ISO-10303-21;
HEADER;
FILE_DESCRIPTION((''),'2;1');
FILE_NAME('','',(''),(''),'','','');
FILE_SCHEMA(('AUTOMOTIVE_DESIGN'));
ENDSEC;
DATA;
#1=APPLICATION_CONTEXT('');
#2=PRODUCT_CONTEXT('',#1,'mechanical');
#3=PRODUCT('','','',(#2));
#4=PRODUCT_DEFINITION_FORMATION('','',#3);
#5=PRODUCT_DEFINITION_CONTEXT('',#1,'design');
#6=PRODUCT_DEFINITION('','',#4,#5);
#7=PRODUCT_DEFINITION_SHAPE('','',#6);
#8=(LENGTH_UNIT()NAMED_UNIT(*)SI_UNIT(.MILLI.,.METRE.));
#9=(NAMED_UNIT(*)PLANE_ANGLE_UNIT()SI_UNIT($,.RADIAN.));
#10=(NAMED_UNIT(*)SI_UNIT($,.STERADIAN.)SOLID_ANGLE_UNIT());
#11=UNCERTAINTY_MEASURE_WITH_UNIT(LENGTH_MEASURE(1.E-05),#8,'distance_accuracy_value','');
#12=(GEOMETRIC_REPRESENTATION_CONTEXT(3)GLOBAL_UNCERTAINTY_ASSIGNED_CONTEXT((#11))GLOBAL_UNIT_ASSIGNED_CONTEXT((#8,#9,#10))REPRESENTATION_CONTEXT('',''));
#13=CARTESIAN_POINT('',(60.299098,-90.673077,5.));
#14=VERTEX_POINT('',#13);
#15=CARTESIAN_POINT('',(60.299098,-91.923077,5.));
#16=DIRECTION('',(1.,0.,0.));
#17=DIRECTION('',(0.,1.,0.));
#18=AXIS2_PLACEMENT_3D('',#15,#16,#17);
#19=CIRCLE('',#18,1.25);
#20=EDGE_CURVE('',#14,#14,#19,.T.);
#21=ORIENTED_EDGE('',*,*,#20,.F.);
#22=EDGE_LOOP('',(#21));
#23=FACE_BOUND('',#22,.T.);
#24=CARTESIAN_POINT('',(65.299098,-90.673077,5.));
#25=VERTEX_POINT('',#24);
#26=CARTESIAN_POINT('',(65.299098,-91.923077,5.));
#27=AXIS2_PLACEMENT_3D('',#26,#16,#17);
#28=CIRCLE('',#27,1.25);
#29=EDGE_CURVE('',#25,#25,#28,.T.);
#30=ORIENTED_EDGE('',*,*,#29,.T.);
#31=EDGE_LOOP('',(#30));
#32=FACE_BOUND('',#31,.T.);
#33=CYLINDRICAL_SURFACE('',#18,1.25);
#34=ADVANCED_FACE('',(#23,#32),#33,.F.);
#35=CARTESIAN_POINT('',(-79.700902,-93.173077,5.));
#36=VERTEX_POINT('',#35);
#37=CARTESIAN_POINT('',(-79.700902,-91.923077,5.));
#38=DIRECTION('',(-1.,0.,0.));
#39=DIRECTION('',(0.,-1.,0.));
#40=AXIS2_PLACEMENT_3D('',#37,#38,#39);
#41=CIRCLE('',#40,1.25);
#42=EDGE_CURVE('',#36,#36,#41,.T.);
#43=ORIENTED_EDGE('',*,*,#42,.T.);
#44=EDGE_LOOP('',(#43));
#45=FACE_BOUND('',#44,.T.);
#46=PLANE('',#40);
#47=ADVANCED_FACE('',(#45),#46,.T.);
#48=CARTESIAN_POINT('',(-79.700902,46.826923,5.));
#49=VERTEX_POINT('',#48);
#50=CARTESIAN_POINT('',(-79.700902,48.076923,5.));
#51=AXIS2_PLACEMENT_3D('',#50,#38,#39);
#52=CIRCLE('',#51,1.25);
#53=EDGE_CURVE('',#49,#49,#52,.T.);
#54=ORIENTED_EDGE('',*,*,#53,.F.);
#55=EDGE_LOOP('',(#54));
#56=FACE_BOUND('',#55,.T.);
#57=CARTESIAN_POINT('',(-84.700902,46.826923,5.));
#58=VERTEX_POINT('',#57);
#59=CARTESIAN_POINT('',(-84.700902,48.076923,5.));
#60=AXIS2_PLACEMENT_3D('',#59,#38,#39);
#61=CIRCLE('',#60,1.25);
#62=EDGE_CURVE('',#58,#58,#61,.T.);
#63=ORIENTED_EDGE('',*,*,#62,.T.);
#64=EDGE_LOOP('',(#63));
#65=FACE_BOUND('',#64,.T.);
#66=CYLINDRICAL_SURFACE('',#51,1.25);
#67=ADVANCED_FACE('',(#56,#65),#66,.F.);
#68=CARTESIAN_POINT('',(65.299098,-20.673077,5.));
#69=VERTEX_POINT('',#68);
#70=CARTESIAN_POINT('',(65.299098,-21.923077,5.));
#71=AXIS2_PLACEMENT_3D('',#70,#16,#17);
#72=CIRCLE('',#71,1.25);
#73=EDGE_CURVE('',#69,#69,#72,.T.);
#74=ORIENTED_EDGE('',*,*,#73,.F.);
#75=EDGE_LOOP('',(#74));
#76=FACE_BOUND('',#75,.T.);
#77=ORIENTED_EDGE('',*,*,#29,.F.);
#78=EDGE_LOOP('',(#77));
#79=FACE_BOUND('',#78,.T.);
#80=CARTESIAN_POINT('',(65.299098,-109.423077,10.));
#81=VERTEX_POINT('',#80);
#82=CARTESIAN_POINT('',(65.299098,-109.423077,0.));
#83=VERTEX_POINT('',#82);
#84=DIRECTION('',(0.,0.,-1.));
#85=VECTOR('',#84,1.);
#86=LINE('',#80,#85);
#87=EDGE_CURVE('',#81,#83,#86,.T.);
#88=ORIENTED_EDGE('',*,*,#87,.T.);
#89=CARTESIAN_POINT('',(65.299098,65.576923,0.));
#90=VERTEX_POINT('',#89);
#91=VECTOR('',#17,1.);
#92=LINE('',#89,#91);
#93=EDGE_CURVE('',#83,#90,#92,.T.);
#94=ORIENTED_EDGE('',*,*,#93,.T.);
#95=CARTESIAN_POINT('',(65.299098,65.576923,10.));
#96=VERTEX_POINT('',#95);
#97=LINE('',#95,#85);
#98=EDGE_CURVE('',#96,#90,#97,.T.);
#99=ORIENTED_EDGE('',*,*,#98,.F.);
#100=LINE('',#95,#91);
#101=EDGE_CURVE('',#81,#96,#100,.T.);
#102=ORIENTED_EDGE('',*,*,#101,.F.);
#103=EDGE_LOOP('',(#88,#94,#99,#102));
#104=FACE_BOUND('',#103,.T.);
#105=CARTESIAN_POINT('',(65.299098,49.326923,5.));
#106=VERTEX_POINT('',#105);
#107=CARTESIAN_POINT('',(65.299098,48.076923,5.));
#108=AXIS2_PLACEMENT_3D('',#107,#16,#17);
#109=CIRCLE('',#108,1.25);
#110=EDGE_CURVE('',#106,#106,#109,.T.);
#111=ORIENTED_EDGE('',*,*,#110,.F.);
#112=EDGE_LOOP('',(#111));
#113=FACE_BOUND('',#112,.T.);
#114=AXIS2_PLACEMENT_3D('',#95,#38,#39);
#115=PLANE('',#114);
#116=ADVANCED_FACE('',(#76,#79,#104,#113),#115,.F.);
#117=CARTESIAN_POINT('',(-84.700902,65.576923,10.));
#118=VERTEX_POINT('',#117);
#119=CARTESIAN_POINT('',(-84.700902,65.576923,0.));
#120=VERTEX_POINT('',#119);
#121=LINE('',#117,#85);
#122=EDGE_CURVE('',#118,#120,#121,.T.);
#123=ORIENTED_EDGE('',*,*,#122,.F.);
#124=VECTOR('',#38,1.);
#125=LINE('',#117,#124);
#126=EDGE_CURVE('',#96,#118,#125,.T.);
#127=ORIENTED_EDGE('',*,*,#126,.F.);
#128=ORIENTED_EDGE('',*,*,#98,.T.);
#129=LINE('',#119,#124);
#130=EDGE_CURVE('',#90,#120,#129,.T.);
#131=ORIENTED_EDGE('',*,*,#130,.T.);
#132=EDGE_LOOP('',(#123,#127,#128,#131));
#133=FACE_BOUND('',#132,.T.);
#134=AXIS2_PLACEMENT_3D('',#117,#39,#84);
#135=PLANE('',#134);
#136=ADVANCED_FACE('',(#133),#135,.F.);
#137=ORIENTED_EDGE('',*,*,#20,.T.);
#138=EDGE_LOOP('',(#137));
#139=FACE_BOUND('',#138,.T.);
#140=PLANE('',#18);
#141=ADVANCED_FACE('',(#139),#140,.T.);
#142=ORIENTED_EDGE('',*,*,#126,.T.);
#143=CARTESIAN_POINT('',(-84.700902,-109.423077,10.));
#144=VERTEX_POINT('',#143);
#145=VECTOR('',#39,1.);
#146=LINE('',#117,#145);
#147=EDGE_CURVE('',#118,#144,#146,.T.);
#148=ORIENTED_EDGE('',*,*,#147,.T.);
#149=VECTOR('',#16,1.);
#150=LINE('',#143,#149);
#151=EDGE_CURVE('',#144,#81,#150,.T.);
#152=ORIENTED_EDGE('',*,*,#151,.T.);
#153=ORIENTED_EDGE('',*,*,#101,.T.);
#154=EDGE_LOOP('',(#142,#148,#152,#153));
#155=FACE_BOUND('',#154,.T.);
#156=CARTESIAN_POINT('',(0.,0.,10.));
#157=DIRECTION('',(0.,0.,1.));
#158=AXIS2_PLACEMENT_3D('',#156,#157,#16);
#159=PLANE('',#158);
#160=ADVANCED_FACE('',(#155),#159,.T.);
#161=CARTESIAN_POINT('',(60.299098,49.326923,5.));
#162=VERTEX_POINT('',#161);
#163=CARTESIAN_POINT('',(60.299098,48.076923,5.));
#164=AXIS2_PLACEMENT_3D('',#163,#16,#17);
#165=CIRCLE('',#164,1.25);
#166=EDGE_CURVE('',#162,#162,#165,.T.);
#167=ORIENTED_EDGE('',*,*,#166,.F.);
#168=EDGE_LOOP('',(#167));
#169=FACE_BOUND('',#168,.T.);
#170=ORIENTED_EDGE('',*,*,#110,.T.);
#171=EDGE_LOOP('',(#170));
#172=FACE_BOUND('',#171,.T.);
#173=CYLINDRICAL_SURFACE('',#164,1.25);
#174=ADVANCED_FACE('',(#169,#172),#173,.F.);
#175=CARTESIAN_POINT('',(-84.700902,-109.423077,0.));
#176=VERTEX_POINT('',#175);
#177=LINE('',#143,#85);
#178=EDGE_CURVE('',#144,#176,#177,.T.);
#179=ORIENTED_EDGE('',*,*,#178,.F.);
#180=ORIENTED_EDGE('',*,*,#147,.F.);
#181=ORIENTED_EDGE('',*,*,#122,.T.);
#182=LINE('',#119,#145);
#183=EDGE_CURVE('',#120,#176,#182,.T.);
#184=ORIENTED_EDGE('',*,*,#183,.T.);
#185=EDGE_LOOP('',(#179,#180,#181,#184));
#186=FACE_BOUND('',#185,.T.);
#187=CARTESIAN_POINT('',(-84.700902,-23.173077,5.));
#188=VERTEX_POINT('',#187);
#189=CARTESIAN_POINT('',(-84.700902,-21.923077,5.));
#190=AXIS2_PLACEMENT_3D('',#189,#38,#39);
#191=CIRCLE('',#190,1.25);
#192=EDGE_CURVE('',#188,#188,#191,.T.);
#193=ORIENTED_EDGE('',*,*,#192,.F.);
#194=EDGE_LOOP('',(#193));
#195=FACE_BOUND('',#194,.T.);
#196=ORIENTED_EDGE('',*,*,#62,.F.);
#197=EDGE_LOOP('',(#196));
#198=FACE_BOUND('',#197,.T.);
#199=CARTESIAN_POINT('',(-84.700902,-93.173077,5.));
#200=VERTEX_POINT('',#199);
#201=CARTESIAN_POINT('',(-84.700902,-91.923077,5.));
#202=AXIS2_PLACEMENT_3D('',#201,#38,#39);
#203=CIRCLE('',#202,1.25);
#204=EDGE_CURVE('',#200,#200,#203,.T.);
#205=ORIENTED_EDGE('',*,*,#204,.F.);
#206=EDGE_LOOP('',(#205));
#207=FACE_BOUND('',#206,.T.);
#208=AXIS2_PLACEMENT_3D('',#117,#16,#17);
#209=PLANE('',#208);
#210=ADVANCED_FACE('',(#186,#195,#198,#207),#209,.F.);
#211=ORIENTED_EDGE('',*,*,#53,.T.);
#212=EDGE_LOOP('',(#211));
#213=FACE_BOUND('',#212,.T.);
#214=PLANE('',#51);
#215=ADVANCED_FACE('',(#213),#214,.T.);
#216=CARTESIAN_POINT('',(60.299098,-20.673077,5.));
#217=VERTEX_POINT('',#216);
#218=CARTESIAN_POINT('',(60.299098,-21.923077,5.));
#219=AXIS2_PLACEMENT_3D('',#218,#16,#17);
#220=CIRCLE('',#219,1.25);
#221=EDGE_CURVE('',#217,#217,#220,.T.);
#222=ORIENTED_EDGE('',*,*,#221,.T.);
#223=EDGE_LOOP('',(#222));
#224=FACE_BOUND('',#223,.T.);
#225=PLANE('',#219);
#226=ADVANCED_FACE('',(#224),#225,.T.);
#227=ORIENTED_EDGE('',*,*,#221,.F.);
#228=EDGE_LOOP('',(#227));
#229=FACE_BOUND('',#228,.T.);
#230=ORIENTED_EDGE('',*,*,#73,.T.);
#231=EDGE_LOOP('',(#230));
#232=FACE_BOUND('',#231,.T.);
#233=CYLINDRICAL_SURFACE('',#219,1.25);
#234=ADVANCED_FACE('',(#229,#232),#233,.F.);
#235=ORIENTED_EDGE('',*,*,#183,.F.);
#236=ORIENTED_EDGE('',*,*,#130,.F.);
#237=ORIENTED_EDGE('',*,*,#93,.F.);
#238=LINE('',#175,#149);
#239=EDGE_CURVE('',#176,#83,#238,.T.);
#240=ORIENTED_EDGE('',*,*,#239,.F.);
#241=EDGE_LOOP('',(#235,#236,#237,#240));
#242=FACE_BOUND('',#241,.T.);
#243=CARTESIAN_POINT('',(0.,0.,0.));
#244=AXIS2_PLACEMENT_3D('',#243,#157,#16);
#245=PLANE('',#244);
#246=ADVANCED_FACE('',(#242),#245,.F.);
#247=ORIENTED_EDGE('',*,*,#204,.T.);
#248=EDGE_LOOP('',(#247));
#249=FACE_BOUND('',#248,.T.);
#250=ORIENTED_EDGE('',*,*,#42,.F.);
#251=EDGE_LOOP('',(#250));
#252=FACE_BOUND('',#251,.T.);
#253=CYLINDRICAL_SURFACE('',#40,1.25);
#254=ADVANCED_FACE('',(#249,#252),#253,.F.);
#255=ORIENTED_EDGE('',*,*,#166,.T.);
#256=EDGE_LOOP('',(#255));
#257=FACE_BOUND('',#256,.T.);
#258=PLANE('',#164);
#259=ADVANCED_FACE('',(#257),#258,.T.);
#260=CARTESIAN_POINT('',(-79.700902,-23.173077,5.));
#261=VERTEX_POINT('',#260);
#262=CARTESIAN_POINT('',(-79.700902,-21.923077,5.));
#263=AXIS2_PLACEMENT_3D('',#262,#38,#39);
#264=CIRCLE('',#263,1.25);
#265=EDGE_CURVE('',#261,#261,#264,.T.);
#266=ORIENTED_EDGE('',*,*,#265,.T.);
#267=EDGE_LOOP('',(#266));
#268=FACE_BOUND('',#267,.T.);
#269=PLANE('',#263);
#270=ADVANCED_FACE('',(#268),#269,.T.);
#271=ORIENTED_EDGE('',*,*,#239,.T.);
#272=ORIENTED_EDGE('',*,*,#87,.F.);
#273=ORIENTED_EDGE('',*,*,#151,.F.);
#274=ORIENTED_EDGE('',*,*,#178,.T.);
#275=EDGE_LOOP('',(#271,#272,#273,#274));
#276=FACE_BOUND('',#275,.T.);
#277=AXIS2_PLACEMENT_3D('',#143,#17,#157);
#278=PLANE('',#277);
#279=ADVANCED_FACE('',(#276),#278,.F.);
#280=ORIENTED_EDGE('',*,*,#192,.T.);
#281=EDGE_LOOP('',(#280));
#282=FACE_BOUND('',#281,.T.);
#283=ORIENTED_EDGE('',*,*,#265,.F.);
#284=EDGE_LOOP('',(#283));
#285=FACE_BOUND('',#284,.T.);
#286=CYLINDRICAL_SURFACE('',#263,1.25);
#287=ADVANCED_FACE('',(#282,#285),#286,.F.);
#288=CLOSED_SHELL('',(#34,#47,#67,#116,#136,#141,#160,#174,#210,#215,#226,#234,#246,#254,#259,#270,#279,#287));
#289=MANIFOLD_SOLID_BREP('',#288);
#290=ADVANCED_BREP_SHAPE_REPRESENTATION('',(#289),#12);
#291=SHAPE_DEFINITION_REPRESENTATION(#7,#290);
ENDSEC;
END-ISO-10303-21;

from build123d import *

# Parameters (mm, degrees)
SKIZZE1_W                       = 150
SKIZZE1_H                       = 175
AUFSATZ_LINEAR_AUSTRAGEN1_DEPTH = 10
SKIZZE2_R                       = 1.25
SCHNITT_LINEAR_AUSTRAGEN1_DEPTH = 5
SCHNITT_LINEAR_START            = -5
SKIZZE3_R                       = 1.25
SCHNITT_LINEAR_AUSTRAGEN2_DEPTH = 5


with BuildPart() as part:
    # Skizze1 → Aufsatz-Linear austragen1 (new body)
    with BuildSketch(Plane.XY):
        with Locations((-9.70090245, -21.923076923)):
            Rectangle(SKIZZE1_W, SKIZZE1_H)
    extrude(amount=AUFSATZ_LINEAR_AUSTRAGEN1_DEPTH)

    # Skizze2 → Schnitt-Linear austragen1 (cut)
    with BuildSketch(Plane.ZY.offset(84.70090245)):
        with Locations(Location((5, 48.076923077, 0), (0, 0, 270))):
            Circle(SKIZZE2_R)
        with Locations(Location((5, -21.923076923, 0), (0, 0, 270))):
            Circle(SKIZZE2_R)
        with Locations(Location((5, -91.923076923, 0), (0, 0, 270))):
            Circle(SKIZZE2_R)
    extrude(amount=-SCHNITT_LINEAR_AUSTRAGEN1_DEPTH, mode=Mode.SUBTRACT)

    # Skizze3 → Schnitt-Linear austragen2 (cut)
    with BuildSketch(Plane(origin=(65.29909755, 0, 0), x_dir=(0, 0, -1), z_dir=(1, 0, 0)).offset(SCHNITT_LINEAR_START)):
        with Locations(Location((-5, 48.076923077, 0), (0, 0, 270))):
            Circle(SKIZZE3_R)
        with Locations(Location((-5, -21.923076923, 0), (0, 0, 270))):
            Circle(SKIZZE3_R)
        with Locations(Location((-5, -91.923076923, 0), (0, 0, 270))):
            Circle(SKIZZE3_R)
    extrude(amount=SCHNITT_LINEAR_AUSTRAGEN2_DEPTH, mode=Mode.SUBTRACT)


solid = part.part
